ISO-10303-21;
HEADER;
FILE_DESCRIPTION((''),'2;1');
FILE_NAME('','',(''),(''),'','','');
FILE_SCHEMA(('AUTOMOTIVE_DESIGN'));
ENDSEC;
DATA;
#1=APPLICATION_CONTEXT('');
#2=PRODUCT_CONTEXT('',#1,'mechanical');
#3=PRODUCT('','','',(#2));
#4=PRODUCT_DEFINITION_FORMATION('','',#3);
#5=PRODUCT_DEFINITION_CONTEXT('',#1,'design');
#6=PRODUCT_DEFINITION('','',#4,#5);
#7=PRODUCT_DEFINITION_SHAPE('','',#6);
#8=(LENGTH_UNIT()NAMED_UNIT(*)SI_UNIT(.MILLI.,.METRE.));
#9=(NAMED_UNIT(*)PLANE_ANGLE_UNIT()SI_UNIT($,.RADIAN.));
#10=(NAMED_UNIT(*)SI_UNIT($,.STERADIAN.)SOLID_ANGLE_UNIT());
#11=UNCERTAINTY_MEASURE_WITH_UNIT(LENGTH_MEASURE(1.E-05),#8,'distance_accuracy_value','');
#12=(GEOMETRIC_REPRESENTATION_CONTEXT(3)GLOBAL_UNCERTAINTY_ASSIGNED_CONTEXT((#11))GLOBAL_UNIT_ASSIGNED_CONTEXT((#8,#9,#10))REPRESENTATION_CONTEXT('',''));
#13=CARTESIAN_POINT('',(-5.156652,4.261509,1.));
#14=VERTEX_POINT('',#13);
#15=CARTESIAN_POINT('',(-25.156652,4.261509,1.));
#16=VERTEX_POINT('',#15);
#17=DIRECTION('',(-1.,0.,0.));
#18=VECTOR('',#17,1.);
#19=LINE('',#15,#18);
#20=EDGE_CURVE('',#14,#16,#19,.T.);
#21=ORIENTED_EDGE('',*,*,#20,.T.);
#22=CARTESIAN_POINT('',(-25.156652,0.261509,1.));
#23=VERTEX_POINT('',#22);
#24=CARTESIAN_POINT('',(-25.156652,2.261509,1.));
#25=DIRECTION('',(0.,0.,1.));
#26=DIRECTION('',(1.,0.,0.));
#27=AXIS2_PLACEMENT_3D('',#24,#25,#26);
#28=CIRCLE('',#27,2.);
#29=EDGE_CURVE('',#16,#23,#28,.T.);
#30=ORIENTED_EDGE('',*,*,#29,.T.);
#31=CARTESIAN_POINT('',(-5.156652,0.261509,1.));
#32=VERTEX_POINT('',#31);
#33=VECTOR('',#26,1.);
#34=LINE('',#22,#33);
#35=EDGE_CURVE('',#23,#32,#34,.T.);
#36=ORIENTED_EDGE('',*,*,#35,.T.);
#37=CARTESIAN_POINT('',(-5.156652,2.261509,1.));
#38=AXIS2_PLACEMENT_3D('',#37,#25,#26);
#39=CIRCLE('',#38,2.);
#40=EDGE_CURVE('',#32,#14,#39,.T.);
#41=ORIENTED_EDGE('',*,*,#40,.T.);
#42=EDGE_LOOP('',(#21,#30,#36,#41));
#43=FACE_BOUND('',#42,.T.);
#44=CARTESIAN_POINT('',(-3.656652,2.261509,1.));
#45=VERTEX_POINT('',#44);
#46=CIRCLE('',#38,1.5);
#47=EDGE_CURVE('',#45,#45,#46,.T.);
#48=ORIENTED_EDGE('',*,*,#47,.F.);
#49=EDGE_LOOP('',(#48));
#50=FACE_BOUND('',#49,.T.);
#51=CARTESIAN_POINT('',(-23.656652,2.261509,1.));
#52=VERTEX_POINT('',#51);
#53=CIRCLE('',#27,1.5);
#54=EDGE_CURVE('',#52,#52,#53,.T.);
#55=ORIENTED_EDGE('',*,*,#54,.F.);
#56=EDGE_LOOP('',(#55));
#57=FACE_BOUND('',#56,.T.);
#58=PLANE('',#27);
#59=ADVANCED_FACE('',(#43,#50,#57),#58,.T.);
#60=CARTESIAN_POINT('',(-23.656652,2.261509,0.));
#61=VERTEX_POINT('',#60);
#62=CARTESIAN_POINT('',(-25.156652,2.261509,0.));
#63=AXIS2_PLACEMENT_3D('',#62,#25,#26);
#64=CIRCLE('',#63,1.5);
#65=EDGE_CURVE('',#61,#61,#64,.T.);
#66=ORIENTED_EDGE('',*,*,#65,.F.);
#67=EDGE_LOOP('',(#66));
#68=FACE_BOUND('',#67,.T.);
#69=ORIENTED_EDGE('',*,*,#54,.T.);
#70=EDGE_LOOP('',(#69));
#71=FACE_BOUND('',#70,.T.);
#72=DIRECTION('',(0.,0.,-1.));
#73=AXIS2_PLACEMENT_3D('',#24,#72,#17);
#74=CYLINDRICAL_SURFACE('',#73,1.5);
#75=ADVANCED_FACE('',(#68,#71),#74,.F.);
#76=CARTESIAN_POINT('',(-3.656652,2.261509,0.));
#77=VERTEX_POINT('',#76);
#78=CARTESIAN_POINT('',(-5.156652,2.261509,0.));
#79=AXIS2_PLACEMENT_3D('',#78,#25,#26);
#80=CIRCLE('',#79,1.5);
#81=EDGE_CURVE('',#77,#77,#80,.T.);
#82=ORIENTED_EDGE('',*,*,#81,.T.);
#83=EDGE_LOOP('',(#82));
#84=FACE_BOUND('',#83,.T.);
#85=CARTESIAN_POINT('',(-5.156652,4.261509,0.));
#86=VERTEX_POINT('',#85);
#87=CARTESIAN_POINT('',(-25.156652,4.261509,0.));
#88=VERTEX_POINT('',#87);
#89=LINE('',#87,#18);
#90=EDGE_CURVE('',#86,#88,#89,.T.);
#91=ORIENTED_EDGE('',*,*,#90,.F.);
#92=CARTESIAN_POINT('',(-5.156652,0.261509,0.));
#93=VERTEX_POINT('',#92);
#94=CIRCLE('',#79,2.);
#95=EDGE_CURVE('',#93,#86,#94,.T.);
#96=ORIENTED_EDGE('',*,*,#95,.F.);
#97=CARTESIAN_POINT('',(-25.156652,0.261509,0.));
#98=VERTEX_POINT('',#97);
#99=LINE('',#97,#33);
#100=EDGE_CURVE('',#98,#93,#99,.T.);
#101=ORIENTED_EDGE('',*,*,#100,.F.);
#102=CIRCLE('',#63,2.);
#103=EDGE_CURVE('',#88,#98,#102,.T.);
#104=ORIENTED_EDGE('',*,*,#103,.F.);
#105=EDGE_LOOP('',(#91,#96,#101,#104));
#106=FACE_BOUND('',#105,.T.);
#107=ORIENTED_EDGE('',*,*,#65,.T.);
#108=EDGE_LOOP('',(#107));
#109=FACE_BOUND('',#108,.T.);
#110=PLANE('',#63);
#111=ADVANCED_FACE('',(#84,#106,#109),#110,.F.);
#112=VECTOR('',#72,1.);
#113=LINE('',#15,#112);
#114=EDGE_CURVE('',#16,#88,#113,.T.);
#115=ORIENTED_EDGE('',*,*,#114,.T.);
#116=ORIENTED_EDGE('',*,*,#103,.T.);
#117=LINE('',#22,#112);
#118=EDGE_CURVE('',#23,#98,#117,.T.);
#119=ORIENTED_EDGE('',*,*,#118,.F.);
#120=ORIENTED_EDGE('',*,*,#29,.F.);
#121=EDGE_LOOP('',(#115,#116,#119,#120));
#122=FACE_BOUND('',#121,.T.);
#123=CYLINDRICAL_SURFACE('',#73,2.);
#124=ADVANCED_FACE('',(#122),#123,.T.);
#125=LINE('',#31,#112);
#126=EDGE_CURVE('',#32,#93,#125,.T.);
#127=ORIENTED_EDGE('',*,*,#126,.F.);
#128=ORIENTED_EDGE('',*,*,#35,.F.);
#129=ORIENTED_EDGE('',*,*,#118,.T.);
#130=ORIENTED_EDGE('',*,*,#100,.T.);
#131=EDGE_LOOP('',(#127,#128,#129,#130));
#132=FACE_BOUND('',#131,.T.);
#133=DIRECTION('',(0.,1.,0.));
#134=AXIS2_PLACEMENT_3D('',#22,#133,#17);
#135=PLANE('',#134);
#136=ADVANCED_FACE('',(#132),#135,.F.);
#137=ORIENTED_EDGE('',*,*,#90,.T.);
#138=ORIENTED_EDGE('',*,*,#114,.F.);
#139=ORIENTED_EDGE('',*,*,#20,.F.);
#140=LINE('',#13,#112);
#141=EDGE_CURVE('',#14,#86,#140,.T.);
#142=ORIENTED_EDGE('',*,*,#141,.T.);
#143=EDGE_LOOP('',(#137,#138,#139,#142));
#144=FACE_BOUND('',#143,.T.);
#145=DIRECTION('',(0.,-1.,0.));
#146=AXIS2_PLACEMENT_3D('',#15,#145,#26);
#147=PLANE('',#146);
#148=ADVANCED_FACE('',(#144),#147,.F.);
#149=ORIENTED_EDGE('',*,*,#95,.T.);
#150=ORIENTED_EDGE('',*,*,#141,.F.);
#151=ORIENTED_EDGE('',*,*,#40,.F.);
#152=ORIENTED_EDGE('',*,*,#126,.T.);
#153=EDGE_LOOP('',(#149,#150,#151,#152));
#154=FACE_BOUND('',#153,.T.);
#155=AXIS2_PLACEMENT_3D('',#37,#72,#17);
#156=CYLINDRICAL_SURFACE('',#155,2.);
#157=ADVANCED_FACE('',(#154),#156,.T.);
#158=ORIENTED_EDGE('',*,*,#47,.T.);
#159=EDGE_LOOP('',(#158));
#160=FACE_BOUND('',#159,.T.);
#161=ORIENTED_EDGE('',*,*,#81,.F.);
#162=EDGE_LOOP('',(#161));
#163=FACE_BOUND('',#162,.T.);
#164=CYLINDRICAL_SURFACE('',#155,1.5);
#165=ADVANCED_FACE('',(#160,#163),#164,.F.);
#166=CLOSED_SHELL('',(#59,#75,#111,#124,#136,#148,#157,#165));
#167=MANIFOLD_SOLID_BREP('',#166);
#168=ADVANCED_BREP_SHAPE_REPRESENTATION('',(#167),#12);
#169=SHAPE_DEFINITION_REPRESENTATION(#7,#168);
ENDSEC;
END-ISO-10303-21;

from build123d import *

# Parameters (mm, degrees)
SKETCH1_R           = 1.5
BOSS_EXTRUDE1_DEPTH = 1


with BuildPart() as part:
    # Sketch1 → Boss-Extrude1 (new body)
    with BuildSketch(Plane.XY):
        with BuildLine():
            Line((-25.156652332, 4.261509411), (-5.156652332, 4.261509411))
            ThreePointArc((-5.156652332, 4.261509411), (-3.156652332, 2.261509411), (-5.156652332, 0.261509411))
            Line((-5.156652332, 0.261509411), (-25.156652332, 0.261509411))
            ThreePointArc((-25.156652332, 0.261509411), (-27.156652332, 2.261509411), (-25.156652332, 4.261509411))
        make_face()
        with Locations((-25.156652332, 2.261509411)):
            Circle(SKETCH1_R, mode=Mode.SUBTRACT)
        with Locations((-5.156652332, 2.261509411)):
            Circle(SKETCH1_R, mode=Mode.SUBTRACT)
    extrude(amount=BOSS_EXTRUDE1_DEPTH)


solid = part.part
